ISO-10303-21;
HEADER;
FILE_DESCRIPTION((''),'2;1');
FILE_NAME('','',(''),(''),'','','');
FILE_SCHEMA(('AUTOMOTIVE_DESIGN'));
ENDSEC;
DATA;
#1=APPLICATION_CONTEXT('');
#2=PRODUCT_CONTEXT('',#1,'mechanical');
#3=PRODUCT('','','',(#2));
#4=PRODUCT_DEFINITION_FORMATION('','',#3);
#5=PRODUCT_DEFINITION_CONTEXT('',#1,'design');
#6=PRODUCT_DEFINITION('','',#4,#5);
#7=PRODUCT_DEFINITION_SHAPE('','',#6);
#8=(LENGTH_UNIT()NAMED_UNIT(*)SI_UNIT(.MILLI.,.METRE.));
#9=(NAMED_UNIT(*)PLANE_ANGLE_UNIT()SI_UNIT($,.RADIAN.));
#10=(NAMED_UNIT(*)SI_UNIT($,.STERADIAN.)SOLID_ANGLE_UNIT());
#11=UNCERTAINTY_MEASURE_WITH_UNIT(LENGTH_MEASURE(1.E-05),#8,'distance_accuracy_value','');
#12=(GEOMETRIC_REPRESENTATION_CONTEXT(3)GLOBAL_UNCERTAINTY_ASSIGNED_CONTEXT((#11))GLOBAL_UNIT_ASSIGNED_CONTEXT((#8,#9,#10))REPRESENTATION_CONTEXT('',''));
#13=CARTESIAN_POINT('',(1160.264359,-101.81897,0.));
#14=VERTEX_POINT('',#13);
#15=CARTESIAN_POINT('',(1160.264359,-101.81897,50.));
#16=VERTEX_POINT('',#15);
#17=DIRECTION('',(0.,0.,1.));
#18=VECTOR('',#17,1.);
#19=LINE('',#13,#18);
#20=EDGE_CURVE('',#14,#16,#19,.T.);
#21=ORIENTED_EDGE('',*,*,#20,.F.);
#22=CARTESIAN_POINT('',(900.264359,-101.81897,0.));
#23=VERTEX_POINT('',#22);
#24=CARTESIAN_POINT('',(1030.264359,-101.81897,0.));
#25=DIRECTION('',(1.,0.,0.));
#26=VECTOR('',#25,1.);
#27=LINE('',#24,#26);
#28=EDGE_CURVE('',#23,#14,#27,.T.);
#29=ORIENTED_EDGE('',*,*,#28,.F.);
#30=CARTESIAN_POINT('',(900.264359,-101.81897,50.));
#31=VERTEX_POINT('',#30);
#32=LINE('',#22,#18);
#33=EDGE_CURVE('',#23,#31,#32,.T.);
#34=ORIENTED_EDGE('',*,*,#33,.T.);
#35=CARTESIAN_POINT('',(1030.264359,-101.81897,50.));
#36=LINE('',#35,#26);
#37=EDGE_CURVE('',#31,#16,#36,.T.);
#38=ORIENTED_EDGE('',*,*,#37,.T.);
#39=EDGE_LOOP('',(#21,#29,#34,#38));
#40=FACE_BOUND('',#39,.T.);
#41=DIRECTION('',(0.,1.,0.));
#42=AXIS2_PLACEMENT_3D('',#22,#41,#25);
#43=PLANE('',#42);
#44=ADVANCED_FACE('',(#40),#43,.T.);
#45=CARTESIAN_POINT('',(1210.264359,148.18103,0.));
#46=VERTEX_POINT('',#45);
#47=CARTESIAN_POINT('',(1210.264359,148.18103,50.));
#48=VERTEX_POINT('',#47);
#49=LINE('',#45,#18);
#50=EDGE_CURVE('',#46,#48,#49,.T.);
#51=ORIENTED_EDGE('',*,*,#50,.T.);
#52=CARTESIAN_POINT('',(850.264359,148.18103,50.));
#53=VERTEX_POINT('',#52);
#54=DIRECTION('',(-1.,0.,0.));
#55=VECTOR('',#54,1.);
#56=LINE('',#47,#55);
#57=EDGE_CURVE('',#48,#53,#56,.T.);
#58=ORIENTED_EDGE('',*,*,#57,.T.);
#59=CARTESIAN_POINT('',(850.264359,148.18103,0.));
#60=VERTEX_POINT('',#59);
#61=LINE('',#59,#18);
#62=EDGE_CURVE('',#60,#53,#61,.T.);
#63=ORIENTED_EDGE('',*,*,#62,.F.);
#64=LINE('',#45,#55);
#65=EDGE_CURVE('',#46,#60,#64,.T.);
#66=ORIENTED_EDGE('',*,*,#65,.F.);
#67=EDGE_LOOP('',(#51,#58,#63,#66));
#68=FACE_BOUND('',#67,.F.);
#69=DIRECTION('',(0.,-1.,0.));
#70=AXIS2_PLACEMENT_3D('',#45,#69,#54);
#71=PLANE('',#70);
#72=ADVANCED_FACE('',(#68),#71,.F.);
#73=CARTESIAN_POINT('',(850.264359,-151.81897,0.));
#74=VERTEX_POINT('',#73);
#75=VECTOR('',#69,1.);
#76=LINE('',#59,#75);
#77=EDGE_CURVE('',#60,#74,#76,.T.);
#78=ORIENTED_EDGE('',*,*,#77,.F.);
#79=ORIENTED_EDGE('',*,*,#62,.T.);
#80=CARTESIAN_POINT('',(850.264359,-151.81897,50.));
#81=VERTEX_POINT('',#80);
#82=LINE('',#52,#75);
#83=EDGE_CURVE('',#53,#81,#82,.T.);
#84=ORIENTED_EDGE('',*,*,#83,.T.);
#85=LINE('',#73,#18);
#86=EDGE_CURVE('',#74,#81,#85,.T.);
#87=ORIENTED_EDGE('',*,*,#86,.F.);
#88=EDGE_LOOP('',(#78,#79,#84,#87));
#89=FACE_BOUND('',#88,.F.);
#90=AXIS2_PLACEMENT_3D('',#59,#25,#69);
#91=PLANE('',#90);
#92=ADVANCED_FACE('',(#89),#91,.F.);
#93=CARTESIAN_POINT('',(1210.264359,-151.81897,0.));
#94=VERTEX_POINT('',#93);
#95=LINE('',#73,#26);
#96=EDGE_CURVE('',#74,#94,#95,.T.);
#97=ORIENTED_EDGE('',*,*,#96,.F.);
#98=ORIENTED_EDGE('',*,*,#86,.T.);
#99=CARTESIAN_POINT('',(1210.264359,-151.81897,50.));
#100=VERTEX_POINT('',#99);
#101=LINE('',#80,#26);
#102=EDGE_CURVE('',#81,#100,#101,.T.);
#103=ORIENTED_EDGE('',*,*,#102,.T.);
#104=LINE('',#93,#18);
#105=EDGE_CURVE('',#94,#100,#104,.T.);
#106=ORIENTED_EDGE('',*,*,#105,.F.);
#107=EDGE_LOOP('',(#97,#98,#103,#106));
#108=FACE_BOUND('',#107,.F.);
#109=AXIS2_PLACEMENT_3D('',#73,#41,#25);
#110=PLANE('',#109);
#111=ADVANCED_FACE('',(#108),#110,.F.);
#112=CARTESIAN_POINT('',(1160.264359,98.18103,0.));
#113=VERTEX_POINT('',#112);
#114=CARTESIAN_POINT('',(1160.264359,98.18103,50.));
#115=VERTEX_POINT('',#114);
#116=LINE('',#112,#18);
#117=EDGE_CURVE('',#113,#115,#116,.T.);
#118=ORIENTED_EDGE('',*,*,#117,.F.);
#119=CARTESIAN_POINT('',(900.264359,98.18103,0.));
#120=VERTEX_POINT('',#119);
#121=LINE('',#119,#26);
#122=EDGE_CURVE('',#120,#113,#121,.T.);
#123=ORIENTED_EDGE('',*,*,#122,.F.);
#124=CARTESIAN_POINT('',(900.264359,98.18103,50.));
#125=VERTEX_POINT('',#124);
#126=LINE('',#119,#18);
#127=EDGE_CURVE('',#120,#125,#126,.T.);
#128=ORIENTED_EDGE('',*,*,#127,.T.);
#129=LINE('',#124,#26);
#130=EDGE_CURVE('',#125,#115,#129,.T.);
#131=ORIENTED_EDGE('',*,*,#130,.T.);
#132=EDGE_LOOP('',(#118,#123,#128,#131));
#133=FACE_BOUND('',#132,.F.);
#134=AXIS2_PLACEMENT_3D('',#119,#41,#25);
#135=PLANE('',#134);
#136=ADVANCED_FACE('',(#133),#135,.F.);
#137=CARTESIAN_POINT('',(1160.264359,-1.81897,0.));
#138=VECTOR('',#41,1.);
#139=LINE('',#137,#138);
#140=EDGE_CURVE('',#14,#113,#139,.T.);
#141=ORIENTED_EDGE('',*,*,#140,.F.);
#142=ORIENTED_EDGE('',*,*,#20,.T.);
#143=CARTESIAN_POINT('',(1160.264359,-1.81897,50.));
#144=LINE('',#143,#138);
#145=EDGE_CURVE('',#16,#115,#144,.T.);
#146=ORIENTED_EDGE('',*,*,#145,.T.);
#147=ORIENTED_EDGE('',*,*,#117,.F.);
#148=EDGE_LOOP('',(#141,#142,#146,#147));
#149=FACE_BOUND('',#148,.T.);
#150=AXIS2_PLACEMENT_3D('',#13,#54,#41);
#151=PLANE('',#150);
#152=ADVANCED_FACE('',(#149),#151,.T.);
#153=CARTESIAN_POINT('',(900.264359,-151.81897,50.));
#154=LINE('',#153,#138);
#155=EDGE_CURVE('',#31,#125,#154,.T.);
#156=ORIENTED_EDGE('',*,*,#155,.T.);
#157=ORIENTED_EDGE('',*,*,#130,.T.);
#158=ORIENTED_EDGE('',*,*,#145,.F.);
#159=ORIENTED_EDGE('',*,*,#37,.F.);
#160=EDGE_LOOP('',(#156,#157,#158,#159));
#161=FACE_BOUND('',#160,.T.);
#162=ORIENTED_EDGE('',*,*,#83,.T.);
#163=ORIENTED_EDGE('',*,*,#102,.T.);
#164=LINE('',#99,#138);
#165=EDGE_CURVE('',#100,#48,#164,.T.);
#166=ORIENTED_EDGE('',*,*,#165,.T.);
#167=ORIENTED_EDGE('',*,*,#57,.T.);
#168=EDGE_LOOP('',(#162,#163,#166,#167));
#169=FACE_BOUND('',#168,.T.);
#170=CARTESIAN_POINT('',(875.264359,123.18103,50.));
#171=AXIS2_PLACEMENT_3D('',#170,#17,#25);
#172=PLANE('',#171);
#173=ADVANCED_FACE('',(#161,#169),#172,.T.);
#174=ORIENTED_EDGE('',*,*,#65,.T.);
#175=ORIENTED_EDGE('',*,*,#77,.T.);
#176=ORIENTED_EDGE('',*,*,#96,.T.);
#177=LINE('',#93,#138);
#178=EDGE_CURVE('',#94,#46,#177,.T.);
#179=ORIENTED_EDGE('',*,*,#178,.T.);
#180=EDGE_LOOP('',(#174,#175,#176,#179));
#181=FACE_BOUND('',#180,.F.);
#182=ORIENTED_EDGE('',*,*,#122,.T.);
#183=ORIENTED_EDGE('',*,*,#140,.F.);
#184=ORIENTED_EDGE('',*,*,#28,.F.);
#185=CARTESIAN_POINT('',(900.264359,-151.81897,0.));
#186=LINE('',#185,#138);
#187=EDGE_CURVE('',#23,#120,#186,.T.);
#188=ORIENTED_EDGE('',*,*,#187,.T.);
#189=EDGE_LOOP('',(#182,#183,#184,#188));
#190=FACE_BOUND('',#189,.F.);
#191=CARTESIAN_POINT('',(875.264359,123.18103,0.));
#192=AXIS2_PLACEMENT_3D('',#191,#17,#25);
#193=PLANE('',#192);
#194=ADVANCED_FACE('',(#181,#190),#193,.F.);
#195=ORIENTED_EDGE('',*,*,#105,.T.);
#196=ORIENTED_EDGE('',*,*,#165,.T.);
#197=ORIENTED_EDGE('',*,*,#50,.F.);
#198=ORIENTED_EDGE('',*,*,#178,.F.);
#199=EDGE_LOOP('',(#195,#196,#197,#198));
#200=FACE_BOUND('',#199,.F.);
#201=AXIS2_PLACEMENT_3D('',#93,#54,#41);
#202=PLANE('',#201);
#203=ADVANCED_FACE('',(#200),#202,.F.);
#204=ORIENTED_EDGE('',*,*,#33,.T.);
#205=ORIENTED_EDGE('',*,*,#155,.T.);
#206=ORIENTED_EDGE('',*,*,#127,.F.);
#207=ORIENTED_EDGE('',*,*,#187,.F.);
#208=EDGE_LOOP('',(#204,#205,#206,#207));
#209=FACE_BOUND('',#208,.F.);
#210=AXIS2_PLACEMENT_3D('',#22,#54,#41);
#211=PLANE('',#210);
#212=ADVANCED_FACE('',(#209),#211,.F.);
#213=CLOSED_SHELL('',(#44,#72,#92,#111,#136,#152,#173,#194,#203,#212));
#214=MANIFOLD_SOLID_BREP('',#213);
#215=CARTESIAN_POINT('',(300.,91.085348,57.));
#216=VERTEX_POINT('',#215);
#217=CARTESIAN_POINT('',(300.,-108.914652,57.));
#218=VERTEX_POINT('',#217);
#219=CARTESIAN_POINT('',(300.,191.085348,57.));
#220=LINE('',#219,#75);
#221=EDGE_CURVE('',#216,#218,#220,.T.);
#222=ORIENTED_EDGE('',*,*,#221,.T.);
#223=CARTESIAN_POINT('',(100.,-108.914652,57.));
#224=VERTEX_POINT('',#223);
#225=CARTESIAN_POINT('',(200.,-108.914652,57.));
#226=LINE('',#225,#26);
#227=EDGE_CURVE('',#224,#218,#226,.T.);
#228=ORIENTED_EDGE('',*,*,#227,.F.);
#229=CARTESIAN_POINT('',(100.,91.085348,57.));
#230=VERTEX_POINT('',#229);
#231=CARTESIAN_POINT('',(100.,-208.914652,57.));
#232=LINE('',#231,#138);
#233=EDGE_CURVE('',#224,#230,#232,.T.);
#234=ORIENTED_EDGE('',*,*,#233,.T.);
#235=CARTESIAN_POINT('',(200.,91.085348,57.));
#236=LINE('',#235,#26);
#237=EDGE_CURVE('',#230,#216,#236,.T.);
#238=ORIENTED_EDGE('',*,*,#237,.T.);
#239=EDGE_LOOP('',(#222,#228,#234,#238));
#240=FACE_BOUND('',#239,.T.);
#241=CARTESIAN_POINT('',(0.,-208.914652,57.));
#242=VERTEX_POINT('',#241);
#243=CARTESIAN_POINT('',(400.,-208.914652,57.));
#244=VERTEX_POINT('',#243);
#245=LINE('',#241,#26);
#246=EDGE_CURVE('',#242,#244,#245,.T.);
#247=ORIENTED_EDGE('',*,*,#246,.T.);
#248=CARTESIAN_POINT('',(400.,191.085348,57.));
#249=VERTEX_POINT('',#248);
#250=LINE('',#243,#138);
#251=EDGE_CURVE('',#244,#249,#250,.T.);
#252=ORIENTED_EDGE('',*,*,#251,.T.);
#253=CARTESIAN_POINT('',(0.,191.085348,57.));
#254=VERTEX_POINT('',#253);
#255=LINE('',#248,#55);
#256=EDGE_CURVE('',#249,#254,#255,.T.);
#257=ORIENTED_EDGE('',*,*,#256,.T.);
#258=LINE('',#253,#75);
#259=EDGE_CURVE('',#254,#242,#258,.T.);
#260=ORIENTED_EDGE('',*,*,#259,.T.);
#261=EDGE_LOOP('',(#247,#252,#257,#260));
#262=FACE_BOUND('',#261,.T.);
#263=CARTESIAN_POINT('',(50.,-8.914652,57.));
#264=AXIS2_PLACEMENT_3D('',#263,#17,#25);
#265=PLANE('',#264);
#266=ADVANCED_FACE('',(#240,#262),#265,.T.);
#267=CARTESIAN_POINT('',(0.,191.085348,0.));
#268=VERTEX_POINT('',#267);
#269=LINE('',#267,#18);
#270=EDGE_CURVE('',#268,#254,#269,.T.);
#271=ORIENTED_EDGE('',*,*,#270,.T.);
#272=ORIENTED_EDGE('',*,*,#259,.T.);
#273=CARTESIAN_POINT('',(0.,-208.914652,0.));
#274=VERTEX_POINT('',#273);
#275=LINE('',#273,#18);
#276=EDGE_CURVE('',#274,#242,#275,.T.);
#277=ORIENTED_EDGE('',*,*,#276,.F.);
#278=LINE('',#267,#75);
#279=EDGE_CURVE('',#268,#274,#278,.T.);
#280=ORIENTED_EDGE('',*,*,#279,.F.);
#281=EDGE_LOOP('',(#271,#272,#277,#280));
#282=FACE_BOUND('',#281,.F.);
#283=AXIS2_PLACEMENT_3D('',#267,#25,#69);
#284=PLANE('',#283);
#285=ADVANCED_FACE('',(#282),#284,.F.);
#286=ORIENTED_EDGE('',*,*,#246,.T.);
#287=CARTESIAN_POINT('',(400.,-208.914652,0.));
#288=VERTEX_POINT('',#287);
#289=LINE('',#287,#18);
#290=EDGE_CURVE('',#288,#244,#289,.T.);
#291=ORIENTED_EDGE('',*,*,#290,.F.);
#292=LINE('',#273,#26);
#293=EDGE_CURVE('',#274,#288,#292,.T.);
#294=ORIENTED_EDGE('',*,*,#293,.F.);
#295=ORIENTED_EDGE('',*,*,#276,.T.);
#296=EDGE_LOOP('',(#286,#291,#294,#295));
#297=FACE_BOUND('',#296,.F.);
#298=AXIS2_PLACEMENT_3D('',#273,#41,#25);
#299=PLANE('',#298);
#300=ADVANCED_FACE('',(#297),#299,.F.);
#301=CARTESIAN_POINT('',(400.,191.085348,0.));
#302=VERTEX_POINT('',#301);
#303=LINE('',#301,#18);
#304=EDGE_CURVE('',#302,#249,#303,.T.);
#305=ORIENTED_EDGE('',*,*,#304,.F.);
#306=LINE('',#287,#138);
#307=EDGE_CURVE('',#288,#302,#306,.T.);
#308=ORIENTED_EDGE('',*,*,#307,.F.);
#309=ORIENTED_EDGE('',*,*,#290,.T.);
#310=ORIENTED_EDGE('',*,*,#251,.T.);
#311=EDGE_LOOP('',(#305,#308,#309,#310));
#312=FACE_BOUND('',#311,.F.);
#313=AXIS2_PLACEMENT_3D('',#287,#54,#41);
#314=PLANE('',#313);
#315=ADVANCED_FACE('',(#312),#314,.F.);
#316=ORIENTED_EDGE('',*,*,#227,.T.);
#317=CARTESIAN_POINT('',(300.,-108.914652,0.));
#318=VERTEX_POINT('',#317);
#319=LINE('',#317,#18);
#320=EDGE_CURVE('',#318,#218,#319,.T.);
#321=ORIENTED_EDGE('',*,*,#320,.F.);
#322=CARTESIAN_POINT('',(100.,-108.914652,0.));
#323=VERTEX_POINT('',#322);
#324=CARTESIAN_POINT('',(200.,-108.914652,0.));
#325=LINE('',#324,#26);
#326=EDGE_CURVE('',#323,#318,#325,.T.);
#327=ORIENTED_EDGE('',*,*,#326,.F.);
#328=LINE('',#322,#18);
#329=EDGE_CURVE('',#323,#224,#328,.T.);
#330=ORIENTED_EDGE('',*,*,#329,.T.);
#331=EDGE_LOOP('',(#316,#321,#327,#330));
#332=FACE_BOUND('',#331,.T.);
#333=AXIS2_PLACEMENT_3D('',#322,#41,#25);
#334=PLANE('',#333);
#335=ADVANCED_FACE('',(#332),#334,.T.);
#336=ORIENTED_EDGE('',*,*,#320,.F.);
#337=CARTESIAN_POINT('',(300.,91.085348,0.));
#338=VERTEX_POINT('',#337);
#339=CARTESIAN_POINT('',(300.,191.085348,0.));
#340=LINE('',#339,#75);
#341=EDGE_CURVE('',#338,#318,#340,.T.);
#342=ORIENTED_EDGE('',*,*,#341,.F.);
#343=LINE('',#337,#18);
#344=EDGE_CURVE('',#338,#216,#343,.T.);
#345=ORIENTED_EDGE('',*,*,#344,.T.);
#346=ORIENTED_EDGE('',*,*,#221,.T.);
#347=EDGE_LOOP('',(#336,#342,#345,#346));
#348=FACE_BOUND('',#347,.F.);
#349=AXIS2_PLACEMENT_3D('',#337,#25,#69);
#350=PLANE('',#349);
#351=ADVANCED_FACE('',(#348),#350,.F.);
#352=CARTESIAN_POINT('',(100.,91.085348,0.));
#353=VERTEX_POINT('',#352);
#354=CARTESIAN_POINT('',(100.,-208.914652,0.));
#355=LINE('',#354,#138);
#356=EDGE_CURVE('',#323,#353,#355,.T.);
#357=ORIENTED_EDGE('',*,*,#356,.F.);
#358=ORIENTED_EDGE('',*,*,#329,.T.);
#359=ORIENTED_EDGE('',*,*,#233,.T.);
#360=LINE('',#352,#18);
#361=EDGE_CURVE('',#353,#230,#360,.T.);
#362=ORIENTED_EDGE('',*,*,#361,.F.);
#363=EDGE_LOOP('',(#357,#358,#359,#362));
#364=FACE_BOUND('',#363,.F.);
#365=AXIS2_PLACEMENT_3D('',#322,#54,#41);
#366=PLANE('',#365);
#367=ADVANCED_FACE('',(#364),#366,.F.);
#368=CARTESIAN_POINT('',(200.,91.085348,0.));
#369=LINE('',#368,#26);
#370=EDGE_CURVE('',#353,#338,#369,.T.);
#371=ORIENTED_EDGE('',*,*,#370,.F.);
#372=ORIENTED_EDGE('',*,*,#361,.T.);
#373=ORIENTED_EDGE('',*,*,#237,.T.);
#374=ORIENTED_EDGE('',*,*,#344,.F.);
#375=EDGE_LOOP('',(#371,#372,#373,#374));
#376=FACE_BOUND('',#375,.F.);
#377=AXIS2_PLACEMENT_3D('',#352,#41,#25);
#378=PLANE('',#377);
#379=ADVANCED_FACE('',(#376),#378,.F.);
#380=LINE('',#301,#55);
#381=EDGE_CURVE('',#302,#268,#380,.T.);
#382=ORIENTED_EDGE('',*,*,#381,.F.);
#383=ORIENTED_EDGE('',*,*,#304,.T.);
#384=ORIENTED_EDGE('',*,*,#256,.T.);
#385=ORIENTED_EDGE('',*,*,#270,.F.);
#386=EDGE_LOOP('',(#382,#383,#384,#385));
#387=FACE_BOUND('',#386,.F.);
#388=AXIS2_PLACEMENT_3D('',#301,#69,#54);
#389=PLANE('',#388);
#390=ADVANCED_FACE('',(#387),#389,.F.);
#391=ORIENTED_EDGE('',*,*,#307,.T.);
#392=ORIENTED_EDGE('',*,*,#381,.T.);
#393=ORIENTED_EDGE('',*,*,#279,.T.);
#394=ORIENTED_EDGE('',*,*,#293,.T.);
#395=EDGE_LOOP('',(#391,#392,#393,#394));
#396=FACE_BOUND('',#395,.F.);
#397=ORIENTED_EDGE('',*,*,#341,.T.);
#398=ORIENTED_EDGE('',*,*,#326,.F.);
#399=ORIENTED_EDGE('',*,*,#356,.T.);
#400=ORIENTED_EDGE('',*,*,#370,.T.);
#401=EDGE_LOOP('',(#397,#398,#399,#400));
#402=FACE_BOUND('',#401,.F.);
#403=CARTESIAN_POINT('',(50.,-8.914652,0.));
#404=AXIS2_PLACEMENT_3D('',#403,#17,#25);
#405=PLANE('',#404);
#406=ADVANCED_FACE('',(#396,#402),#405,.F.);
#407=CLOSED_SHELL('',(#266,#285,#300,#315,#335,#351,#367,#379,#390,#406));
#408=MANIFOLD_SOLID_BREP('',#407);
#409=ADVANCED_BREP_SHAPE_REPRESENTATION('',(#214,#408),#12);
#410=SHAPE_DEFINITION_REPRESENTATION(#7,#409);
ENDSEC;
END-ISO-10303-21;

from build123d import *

# Parameters (mm, degrees)
F0_W     = 200
F0_H     = 100
F1_DEPTH = 57
F2_W     = 50
F2_H     = 50
F2_W_2   = 260
F2_H_2   = 200
F3_DEPTH = 50


with BuildPart() as f1:
    # F0 (on Top) → F1 (new body)
    with BuildSketch(Plane.XY):
        Polygon((100, 91.085348), (100, 191.085348), (0, 191.085348), (0, -208.914652), (100, -208.914652), (100, -108.914652), align=None)
        Polygon((400, -208.914652), (400, 191.085348), (300, 191.085348), (300, 91.085348), (300, -108.914652), (300, -208.914652), align=None)
        with Locations((200, -158.914652)):
            Rectangle(F0_W, F0_H)
        with Locations((200, 141.085348)):
            Rectangle(F0_W, F0_H)
    extrude(amount=F1_DEPTH)


with BuildPart() as f3:
    # F2 (on Top) → F3 (new body)
    with BuildSketch(Plane.XY):
        with Locations((875.264359, 123.18103)):
            Rectangle(F2_W, F2_H)
        with Locations((1030.264359, 123.18103)):
            Rectangle(F2_W_2, F2_H)
        with Locations((875.264359, -1.81897)):
            Rectangle(F2_W, F2_H_2)
        with Locations((1185.264359, 123.18103)):
            Rectangle(F2_W, F2_H)
        with Locations((875.264359, -126.81897)):
            Rectangle(F2_W, F2_H)
        with Locations((1030.264359, -126.81897)):
            Rectangle(F2_W_2, F2_H)
        with Locations((1185.264359, -1.81897)):
            Rectangle(F2_W, F2_H_2)
        with Locations((1185.264359, -126.81897)):
            Rectangle(F2_W, F2_H)
    extrude(amount=F3_DEPTH)


solid = Compound([f1.part, f3.part])
